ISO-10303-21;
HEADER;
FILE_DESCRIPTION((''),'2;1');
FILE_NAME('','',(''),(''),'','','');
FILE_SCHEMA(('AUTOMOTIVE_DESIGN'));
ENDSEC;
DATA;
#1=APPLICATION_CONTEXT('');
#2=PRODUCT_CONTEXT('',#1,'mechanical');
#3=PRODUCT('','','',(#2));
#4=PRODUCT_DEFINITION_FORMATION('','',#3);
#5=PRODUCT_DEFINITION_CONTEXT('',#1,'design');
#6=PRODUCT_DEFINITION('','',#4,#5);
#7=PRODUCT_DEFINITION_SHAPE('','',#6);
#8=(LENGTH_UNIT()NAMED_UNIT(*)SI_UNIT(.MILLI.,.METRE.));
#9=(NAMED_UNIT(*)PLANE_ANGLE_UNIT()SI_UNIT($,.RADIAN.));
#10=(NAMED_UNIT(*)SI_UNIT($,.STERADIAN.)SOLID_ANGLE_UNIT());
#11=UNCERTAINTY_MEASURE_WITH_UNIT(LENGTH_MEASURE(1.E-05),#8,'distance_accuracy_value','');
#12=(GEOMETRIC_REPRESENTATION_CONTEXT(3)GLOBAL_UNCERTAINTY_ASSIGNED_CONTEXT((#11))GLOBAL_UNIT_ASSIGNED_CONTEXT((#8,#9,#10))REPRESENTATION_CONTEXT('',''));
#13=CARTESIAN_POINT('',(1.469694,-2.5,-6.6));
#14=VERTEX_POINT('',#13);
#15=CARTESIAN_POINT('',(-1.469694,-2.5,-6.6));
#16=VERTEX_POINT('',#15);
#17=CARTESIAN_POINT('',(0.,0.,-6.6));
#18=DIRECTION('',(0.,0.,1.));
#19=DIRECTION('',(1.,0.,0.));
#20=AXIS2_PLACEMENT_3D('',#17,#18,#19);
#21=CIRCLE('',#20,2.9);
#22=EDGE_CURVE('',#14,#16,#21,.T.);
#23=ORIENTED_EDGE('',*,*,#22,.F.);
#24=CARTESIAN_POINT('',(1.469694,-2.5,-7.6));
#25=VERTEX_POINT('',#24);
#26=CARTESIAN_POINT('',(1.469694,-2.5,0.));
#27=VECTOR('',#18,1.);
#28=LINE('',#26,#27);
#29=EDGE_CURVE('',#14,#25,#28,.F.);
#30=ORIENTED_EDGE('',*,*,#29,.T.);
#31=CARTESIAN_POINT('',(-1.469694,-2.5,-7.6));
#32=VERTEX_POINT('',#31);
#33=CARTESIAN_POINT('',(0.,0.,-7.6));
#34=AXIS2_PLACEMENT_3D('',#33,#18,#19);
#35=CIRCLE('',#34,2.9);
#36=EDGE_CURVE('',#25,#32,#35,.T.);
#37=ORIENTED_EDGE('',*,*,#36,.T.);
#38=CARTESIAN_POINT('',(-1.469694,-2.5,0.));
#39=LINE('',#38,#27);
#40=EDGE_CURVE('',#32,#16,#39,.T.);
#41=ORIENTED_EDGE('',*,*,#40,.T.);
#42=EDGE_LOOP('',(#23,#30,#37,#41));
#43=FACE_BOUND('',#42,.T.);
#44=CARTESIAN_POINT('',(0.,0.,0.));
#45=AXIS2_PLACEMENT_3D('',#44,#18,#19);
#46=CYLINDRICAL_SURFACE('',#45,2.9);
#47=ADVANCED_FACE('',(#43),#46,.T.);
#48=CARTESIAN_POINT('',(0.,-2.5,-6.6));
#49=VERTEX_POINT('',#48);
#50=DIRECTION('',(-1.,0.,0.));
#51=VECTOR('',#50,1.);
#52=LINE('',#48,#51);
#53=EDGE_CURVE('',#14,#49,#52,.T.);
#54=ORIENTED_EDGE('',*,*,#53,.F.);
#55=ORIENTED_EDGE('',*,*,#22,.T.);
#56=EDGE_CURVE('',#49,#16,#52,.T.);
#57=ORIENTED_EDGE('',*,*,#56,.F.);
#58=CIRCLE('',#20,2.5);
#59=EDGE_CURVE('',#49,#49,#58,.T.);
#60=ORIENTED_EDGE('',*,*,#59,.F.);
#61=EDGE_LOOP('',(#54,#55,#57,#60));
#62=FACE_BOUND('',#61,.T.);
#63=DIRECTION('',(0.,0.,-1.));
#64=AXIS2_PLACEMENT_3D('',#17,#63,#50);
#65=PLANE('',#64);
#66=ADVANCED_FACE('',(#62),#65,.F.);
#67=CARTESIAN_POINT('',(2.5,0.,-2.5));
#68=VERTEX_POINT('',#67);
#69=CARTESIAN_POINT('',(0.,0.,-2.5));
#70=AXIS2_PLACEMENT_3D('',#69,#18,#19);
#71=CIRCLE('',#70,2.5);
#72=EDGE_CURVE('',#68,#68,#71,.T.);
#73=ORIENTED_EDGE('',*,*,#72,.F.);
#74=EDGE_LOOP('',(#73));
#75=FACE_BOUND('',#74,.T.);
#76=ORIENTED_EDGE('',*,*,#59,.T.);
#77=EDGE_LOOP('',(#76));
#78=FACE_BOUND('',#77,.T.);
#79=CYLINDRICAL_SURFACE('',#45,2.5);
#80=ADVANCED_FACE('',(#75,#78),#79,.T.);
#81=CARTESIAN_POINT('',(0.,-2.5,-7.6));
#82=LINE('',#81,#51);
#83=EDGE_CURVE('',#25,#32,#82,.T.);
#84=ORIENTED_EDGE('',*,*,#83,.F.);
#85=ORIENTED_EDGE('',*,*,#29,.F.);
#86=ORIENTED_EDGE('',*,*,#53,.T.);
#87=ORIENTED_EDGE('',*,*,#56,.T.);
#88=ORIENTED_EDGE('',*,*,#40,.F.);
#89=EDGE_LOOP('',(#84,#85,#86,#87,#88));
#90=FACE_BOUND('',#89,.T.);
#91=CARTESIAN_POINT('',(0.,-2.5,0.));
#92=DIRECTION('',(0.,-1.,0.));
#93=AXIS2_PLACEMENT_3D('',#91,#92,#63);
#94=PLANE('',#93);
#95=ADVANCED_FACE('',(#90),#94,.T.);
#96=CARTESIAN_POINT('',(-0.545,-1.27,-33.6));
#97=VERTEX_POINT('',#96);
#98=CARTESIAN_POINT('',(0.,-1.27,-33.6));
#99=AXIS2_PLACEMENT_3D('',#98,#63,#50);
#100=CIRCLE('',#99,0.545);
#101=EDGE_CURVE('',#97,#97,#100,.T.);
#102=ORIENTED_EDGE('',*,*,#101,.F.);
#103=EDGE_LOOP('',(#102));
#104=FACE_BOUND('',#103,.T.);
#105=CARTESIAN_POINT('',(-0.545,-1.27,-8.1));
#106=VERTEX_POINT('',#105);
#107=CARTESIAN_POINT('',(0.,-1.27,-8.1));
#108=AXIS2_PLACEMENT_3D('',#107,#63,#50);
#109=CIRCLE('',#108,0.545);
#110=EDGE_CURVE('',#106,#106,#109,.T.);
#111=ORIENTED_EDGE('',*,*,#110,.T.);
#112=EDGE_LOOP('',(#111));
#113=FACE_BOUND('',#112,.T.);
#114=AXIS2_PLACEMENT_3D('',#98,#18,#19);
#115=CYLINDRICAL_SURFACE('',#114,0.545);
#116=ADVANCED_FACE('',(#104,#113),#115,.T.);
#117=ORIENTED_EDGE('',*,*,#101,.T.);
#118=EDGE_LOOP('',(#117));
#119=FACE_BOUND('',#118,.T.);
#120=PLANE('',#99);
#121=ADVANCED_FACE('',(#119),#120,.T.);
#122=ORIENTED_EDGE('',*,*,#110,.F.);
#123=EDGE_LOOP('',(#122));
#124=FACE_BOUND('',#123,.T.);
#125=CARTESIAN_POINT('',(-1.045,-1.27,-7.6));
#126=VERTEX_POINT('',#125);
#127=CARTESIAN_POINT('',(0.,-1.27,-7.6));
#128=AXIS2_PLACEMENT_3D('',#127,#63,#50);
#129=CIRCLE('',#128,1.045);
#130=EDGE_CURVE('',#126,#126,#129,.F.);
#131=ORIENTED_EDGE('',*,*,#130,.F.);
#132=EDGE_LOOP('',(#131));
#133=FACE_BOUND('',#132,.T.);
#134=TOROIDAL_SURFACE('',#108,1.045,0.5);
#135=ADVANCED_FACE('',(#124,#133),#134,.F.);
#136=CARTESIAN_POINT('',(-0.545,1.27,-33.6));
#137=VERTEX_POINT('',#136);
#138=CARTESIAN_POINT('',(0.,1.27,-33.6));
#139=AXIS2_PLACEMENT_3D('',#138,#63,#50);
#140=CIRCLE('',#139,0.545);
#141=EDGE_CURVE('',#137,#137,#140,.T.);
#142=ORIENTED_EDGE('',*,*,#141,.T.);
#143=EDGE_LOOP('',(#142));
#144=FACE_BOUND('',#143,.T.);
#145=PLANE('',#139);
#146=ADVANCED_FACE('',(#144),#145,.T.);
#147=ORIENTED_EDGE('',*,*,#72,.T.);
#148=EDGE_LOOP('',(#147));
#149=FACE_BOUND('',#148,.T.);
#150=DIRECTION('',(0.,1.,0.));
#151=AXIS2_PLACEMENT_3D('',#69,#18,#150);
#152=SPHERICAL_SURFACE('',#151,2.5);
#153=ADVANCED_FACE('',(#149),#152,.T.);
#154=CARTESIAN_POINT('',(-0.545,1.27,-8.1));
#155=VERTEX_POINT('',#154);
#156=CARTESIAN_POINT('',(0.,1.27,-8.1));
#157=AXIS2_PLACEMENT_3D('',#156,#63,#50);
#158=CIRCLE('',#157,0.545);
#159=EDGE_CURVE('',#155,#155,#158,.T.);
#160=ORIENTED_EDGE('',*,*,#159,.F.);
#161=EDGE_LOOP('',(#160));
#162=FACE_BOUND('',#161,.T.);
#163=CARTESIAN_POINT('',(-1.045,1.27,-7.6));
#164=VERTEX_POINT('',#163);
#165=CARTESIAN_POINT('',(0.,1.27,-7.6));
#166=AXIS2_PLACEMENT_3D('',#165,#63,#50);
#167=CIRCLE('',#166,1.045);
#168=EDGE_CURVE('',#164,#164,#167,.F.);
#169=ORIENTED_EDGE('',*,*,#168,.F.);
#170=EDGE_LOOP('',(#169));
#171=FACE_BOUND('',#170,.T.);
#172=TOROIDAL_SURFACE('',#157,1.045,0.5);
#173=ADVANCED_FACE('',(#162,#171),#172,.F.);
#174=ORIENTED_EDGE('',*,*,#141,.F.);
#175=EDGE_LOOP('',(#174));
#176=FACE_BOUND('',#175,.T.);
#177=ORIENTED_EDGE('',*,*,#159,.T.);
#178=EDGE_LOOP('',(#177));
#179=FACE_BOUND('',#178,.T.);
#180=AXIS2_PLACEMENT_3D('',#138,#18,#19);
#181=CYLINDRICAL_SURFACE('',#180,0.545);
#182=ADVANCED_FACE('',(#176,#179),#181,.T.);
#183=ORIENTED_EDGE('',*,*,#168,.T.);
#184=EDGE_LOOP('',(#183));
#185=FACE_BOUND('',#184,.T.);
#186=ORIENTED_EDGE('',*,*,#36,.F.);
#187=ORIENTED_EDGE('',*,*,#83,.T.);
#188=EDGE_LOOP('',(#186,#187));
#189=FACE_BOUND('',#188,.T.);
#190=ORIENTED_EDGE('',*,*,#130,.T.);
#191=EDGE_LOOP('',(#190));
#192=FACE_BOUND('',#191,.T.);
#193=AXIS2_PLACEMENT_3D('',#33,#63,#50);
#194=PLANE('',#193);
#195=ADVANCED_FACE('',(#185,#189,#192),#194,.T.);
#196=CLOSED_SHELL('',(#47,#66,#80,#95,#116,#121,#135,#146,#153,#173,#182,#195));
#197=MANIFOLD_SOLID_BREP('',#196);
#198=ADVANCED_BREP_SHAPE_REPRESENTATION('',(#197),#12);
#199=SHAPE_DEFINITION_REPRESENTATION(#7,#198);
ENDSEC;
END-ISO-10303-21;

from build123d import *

# Parameters (mm, degrees)
SKETCH2_R           = 0.545
BOSS_EXTRUDE1_DEPTH = 26
SKETCH3_W           = 21.745407095
SKETCH3_H           = 16.160983483
CUT_EXTRUDE1_DEPTH  = 660
FILLET1_R           = 0.5


with BuildPart() as part:
    # Sketch1 → Revolve1 (revolve)
    with BuildSketch(Plane(origin=(0, 0, 0), x_dir=(0, 0, -1), z_dir=(1, 0, 0)), mode=Mode.PRIVATE) as revolve1_sk:
        with BuildLine():
            Line((6.6, 2.5), (2.5, 2.5))
            ThreePointArc((2.5, 2.5), (0.732233047, 1.767766953), (0, 0))
            Line((0, 0), (6.6, 0))
            Line((6.6, 0), (6.6, 2.5))
        make_face()
        Polygon((6.6, 2.9), (6.6, 2.5), (6.6, 0), (7.6, 0), (7.6, 2.780651434), (7.6, 2.9), align=None)
    revolve(revolve1_sk.sketch.rotate(Axis((0, 0, 0), (0, 0, -1)), 90), axis=Axis((0, 0, 0), (0, 0, -1)))

    # Sketch2 → Boss-Extrude1 (add)
    with BuildSketch(Plane(origin=(0, 0, -7.6), x_dir=(-1, 0, 0), z_dir=(0, 0, -1))):
        with Locations((0, 1.27)):
            Circle(SKETCH2_R)
        with Locations((0, -1.27)):
            Circle(SKETCH2_R)
    extrude(amount=BOSS_EXTRUDE1_DEPTH)

    # Sketch3 → Cut-Extrude1 (cut)
    with BuildSketch(Plane(origin=(0, -2.5, 0), x_dir=(-1, 0, 0), z_dir=(0, -1, 0))):
        with Locations((-4.780605062, 11.08865767)):
            Rectangle(SKETCH3_W, SKETCH3_H)
    extrude(amount=CUT_EXTRUDE1_DEPTH, mode=Mode.SUBTRACT)

    # Fillet1
    fillet1_edges = [part.edges().sort_by_distance(p)[0] for p in [
        (0.545, 1.27, -7.6),
        (0.545, -1.27, -7.6),
    ]]
    fillet(fillet1_edges, radius=FILLET1_R)


solid = part.part
